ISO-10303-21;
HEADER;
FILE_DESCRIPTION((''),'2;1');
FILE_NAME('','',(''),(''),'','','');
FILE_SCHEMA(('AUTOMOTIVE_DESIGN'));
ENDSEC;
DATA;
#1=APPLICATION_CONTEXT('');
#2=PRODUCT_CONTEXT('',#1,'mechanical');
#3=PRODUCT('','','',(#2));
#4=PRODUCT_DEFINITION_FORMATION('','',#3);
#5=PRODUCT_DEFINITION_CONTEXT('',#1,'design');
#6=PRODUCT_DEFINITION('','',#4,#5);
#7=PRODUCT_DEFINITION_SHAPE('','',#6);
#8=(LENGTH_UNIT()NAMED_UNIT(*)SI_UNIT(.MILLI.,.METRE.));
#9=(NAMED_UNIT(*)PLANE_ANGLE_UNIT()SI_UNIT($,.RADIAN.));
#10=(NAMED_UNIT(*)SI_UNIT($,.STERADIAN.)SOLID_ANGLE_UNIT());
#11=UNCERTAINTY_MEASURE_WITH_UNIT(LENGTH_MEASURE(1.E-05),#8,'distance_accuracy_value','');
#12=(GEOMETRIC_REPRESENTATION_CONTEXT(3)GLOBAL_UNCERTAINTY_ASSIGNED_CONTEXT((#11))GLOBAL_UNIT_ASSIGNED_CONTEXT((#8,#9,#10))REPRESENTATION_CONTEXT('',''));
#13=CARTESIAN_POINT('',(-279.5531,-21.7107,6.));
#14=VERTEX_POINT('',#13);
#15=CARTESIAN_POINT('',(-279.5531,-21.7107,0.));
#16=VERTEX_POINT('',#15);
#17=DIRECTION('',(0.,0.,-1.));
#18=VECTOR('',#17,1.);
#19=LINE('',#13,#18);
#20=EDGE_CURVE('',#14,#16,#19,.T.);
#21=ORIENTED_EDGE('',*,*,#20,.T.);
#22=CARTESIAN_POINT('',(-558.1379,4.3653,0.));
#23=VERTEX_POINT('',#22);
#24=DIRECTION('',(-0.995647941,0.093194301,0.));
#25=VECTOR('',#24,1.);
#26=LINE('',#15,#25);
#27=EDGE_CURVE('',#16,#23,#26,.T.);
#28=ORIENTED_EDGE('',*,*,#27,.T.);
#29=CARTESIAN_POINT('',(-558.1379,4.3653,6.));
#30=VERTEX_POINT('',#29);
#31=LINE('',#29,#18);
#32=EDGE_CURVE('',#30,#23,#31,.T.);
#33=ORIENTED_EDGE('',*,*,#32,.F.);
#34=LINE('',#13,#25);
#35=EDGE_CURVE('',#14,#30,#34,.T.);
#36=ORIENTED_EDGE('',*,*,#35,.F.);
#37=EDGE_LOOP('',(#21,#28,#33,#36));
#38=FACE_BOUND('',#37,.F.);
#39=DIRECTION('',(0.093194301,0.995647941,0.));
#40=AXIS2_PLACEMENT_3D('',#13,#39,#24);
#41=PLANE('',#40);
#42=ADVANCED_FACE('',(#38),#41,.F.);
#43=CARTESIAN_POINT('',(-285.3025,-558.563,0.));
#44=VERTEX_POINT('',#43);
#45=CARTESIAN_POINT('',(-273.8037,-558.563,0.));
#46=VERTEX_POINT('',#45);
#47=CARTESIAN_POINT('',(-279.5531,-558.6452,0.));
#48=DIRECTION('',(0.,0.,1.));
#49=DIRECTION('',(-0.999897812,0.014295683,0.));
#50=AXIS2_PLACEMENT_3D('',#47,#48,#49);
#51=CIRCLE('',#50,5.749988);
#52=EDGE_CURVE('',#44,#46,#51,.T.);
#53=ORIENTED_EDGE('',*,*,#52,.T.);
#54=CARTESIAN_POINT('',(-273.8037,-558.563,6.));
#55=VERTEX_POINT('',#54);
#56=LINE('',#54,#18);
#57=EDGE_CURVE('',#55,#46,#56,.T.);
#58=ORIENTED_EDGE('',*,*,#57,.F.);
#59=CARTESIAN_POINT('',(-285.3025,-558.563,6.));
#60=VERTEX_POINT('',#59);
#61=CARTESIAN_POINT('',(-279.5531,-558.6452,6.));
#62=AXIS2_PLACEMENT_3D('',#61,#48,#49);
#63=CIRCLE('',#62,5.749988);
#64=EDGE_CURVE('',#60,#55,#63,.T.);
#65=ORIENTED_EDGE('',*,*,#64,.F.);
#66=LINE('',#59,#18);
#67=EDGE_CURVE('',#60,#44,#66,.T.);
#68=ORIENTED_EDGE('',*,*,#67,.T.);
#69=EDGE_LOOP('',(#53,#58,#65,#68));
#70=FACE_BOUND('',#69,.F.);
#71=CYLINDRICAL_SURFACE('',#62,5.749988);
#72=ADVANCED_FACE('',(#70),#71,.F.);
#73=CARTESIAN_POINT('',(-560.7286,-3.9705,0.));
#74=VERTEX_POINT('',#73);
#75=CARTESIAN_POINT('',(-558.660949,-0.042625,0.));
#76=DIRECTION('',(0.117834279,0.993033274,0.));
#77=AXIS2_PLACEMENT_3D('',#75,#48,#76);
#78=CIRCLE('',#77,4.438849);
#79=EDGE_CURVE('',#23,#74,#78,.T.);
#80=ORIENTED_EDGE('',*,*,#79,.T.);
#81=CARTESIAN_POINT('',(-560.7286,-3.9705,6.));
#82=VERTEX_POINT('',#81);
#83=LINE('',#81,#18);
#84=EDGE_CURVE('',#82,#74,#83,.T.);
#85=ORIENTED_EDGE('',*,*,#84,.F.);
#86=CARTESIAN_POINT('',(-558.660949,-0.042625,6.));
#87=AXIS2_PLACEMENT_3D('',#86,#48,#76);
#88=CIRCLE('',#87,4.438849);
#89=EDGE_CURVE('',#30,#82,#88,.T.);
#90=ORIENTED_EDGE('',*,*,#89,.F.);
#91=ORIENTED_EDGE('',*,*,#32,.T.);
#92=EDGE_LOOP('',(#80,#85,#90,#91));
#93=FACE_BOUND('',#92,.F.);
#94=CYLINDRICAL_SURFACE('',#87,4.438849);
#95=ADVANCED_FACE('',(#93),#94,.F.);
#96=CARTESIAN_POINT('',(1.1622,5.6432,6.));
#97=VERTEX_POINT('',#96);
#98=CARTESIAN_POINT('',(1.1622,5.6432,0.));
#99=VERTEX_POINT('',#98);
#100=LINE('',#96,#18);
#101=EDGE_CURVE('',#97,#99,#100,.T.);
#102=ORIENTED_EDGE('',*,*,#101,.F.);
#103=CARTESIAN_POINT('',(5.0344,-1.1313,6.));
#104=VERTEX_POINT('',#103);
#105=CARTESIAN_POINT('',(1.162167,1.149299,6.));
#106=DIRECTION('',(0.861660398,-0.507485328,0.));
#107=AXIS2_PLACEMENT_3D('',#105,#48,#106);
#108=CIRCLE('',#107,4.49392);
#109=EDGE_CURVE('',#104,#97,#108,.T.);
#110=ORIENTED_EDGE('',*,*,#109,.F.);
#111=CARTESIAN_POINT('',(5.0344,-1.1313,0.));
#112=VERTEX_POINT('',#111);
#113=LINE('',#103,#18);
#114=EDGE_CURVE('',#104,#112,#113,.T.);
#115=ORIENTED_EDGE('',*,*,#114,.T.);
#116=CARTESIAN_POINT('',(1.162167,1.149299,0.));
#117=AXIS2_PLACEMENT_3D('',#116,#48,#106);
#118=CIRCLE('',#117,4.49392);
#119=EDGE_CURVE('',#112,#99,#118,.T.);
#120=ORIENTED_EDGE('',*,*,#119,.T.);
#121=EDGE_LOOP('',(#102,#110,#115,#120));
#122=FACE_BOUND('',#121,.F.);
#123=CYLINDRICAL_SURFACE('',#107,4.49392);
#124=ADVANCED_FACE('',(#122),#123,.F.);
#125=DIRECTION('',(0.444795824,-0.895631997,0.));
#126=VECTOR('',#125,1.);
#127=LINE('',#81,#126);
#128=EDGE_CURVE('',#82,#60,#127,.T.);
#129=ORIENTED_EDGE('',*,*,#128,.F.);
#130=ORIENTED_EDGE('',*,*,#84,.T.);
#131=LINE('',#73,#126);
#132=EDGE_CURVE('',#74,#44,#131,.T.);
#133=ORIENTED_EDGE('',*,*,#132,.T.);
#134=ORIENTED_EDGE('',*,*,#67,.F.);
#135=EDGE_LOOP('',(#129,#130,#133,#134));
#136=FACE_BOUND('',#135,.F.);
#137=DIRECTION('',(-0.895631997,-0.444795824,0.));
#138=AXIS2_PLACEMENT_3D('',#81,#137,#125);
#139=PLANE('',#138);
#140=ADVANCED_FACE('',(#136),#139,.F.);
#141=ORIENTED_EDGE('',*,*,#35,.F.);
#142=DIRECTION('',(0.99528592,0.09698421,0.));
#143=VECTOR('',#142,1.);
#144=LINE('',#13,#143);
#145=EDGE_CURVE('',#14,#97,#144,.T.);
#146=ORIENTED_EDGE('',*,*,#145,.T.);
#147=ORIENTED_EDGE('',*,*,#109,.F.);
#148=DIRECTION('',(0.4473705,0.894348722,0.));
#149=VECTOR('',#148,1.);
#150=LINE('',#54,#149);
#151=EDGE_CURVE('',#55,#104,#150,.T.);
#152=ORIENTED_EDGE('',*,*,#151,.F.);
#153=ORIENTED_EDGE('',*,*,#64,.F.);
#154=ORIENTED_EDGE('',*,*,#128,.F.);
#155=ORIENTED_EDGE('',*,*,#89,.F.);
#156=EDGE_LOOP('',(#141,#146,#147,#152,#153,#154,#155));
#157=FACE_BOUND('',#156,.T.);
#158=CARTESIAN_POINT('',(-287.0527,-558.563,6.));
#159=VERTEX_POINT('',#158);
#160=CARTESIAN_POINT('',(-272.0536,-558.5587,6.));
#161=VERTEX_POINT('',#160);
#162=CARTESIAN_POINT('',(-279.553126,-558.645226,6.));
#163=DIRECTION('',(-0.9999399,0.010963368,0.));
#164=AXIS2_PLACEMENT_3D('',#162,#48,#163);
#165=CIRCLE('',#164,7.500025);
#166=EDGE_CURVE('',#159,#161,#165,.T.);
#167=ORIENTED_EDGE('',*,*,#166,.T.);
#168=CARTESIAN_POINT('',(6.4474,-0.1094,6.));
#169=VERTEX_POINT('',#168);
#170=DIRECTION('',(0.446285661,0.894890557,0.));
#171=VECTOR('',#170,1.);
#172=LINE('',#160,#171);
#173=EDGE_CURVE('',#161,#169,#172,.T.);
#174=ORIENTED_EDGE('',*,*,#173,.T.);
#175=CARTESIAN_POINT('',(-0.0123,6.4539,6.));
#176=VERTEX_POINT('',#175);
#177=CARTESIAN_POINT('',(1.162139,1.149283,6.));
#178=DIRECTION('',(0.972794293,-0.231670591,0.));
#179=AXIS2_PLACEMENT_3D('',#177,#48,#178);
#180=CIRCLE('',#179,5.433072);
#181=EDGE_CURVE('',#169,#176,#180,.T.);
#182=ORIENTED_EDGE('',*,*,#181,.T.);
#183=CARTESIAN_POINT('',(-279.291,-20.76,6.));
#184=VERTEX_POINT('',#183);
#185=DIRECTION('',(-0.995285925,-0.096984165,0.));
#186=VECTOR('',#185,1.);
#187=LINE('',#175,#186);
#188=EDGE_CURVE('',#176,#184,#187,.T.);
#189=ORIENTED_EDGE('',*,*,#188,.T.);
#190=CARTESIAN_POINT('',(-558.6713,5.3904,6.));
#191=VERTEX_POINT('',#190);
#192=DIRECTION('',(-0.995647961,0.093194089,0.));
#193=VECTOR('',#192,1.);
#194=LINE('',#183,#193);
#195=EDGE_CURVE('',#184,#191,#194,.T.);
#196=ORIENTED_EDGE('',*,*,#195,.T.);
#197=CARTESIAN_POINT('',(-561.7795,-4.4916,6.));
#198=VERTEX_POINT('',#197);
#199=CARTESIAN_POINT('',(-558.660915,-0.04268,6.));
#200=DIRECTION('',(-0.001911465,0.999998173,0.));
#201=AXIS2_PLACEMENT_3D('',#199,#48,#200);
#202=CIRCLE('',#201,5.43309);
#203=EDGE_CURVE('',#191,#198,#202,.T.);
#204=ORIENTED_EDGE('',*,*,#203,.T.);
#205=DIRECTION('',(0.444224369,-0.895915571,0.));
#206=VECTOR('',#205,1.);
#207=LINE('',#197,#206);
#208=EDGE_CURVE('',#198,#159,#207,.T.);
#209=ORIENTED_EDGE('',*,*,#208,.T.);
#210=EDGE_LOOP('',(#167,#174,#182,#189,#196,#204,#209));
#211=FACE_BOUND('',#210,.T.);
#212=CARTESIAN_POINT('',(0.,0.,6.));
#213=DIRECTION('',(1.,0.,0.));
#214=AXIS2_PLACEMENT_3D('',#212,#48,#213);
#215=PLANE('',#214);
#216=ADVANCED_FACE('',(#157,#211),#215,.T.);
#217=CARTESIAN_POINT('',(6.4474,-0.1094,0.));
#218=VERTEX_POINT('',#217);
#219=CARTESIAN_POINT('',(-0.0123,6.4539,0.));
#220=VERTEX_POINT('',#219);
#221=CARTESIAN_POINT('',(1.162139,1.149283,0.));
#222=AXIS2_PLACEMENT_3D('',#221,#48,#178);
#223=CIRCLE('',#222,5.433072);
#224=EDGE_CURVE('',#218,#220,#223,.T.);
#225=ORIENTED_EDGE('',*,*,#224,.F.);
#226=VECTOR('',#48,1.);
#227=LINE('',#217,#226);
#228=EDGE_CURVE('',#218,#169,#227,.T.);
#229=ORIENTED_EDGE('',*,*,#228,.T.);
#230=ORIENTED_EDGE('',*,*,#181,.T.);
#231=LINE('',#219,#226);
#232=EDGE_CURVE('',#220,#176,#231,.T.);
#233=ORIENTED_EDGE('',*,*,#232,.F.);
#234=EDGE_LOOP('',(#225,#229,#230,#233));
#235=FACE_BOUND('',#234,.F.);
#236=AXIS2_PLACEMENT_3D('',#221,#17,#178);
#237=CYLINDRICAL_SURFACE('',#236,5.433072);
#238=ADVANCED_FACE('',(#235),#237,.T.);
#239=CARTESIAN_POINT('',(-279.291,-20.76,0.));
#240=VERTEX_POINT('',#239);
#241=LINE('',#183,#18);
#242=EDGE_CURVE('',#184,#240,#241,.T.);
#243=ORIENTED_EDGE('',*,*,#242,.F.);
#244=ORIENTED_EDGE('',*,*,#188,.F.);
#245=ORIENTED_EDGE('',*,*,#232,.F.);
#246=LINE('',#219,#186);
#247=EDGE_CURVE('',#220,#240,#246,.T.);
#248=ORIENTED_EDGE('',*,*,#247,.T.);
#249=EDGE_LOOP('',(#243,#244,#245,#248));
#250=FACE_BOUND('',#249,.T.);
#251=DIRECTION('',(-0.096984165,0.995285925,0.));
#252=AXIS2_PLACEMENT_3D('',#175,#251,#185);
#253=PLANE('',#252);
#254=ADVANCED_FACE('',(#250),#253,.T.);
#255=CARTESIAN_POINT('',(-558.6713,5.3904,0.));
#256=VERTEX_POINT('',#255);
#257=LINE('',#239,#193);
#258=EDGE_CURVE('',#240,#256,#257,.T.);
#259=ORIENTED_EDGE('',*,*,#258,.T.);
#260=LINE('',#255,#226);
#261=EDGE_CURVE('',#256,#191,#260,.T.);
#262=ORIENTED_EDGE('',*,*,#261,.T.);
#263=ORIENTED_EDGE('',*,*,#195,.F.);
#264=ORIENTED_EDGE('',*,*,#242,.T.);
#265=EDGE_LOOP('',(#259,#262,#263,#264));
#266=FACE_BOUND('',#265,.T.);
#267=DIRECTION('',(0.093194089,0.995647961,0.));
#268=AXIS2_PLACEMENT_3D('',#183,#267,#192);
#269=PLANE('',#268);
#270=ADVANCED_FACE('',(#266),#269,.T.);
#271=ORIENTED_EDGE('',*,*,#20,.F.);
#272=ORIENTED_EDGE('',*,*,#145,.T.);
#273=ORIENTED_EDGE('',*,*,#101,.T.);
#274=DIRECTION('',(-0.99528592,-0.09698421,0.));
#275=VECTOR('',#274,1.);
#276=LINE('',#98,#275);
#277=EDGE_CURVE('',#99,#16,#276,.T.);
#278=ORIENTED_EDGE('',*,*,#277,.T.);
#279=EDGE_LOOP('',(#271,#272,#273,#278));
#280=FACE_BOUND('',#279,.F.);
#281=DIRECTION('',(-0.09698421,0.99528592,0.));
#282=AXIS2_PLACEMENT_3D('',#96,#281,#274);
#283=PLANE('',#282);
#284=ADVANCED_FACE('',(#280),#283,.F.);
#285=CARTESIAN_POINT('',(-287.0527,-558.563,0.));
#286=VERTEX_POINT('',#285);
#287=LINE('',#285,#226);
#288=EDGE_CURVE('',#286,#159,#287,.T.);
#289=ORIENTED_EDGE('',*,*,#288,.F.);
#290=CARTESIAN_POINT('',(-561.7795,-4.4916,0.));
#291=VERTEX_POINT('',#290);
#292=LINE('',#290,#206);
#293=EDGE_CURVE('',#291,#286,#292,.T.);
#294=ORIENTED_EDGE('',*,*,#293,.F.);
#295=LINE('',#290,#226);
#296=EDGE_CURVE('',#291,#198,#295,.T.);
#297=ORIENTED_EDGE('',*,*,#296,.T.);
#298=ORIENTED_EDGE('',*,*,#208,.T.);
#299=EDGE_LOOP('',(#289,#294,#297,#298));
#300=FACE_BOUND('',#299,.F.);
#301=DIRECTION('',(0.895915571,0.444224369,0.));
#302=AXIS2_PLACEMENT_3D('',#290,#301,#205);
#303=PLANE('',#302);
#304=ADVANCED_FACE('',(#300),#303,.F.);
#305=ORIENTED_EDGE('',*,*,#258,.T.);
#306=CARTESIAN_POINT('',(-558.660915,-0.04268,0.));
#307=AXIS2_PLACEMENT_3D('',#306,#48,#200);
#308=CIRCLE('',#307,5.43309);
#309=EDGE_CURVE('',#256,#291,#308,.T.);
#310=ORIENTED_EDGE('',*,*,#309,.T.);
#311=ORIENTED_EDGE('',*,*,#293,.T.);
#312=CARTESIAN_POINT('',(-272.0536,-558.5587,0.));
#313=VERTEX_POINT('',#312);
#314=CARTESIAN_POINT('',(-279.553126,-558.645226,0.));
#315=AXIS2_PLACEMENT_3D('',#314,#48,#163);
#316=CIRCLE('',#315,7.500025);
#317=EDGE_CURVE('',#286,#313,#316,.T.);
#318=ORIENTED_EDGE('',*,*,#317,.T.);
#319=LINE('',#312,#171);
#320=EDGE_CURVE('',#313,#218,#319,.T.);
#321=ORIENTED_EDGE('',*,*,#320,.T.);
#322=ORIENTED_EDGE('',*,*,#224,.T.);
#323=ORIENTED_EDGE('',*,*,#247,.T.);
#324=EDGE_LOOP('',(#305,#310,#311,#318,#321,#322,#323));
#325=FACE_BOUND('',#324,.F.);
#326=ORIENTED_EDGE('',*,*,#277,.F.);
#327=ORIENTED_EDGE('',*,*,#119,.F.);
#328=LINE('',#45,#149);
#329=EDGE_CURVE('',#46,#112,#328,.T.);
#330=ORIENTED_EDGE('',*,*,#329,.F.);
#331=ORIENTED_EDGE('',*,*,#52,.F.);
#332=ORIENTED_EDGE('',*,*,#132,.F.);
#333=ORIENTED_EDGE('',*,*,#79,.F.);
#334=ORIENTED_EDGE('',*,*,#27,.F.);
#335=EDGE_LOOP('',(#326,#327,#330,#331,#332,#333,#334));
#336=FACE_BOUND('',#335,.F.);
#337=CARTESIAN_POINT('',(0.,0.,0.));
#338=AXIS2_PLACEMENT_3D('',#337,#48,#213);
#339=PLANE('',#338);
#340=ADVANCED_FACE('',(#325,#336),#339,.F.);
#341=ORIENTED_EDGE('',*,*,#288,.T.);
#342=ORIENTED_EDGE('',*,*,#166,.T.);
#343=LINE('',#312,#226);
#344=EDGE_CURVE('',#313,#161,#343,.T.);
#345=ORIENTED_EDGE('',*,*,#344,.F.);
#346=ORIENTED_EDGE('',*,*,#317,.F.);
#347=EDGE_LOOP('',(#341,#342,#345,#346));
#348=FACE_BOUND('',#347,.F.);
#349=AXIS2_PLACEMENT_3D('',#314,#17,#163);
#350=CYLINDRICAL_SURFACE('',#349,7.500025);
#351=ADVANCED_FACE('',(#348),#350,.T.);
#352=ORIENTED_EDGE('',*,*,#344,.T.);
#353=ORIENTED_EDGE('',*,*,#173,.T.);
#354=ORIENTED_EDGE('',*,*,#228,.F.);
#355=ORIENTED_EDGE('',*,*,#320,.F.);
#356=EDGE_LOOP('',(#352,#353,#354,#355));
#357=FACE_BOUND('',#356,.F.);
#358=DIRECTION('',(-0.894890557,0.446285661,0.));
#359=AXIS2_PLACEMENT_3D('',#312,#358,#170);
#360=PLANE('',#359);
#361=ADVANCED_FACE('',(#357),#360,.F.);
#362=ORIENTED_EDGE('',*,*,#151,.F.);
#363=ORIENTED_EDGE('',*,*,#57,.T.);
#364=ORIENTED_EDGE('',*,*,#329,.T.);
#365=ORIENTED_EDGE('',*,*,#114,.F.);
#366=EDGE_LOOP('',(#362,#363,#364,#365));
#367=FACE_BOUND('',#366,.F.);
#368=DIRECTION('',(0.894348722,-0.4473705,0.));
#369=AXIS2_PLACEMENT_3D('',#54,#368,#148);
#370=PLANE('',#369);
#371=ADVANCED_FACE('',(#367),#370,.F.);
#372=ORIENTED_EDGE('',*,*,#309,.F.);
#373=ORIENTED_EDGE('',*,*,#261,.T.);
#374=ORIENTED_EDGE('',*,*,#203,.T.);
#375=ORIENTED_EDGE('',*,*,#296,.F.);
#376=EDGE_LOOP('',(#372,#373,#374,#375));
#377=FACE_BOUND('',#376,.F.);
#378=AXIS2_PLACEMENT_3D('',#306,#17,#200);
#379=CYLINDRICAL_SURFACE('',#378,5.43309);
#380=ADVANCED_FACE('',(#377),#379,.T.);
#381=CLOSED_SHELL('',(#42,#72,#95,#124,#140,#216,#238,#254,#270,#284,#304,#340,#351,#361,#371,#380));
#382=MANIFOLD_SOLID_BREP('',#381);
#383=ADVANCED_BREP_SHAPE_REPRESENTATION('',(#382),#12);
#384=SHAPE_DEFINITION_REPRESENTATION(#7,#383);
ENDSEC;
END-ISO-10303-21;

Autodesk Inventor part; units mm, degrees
ref_plane "YZ Plane" through (0, 0, 0) normal (1, 0, 0) x (0, 1, 0)
ref_plane "XZ Plane" through (0, 0, 0) normal (0, 1, 0) x (-1, 0, 0)
ref_plane "XY Plane" through (0, 0, 0) normal (0, 0, 1) x (1, 0, 0)
sketch "Sketch1" plane through (0, 0, 0) normal (0, 0, 1) x (1, 0, 0)
  arc A0 (-287.0527, -558.563) -> (-272.0536, -558.5587) centre (-279.5531, -558.6452) ccw
  line L0 (-561.7795, -4.4916) -> (-287.0527, -558.563)
  line L1 (-272.0536, -558.5587) -> (6.4474, -0.1094)
  line L2 (-0.0123, 6.4539) -> (-558.6713, 5.3904)
  arc A1 (-558.6713, 5.3904) -> (-561.7795, -4.4916) centre (-558.6609, -0.0427) ccw
  arc A2 (6.4474, -0.1094) -> (-0.0123, 6.4539) centre (1.1622, 1.1493) ccw
  point P0 (0, 0)
  dimension "d0" = 5.433
extrude "Extrusion1" add sketch "Sketch1" along normal blind 6
sketch "Sketch3" plane through (0, 0, 6) normal (0, 0, 1) x (1, 0, 0)
  line L0 (-561.7795, -4.4916) -> (-287.0527, -558.563) projected
  arc A0 (-287.0527, -558.563) -> (-272.0536, -558.5587) centre (-279.5531, -558.6452) ccw projected
  line L1 (-272.0536, -558.5587) -> (6.4474, -0.1094) projected
  arc A1 (6.4474, -0.1094) -> (-0.0123, 6.4539) centre (1.1622, 1.1493) ccw projected
  line L2 (-0.0123, 6.4539) -> (-558.6713, 5.3904) projected
  arc A2 (-558.6713, 5.3904) -> (-561.7795, -4.4916) centre (-558.6609, -0.0427) ccw projected
  line L3 (-0.0123, 6.4539) -> (-279.291, -20.76)
  line L4 (-0.0123, 6.4539) -> (-558.6713, 5.3904) projected
  line L5 (-279.291, -20.76) -> (-558.6713, 5.3904)
  line L6 (-558.6713, 5.3904) -> (-279.551, 142.5192)
  line L7 (-279.551, 142.5192) -> (-0.0123, 6.4539)
  point P0 (0, 0)
extrude "Extrusion2" cut sketch "Sketch3" against normal blind 6 contours L6 L7 L2 | L2 L3 L5
sketch "Sketch4" plane through (0, 0, 6) normal (0, 0, 1) x (1, 0, 0)
  point P0 (0, 0)
sketch "Sketch5" plane through (0, 0, 6) normal (0, 0, 1) x (1, 0, 0)
  line L0 (-0.0123, 6.4539) -> (-279.291, -20.76) projected
  line L1 (-279.291, -20.76) -> (-558.6713, 5.3904) projected
  arc A0 (-558.6713, 5.3904) -> (-561.7795, -4.4916) centre (-558.6609, -0.0427) ccw projected
  line L2 (-561.7795, -4.4916) -> (-287.0527, -558.563) projected
  arc A1 (-287.0527, -558.563) -> (-272.0536, -558.5587) centre (-279.5531, -558.6452) ccw projected
  line L3 (-272.0536, -558.5587) -> (6.4474, -0.1094) projected
  arc A2 (6.4474, -0.1094) -> (-0.0123, 6.4539) centre (1.1622, 1.1493) ccw projected
  arc A3 (-285.3025, -558.563) -> (-273.8037, -558.563) centre (-279.5531, -558.6452) ccw
  arc A4 (5.0344, -1.1313) -> (0.2947, 5.5587) centre (1.1622, 1.1493) ccw
  arc A5 (-558.1379, 4.3653) -> (-560.7286, -3.9705) centre (-558.6609, -0.0427) ccw
  line L4 (-560.7286, -3.9705) -> (-285.3025, -558.563)
  line L5 (-273.8037, -558.563) -> (5.0344, -1.1313)
  line L6 (1.1622, 5.6432) -> (-279.5531, -21.7107)
  line L7 (-279.5531, -21.7107) -> (-558.1379, 4.3653)
  point P0 (0, 0)
  dimension "d5" = 11.5
extrude "Extrusion3" cut sketch "Sketch5" against normal blind 6 contours L4 A5 L7 L6 A4 L5 A3
properties part number "z bELT"
